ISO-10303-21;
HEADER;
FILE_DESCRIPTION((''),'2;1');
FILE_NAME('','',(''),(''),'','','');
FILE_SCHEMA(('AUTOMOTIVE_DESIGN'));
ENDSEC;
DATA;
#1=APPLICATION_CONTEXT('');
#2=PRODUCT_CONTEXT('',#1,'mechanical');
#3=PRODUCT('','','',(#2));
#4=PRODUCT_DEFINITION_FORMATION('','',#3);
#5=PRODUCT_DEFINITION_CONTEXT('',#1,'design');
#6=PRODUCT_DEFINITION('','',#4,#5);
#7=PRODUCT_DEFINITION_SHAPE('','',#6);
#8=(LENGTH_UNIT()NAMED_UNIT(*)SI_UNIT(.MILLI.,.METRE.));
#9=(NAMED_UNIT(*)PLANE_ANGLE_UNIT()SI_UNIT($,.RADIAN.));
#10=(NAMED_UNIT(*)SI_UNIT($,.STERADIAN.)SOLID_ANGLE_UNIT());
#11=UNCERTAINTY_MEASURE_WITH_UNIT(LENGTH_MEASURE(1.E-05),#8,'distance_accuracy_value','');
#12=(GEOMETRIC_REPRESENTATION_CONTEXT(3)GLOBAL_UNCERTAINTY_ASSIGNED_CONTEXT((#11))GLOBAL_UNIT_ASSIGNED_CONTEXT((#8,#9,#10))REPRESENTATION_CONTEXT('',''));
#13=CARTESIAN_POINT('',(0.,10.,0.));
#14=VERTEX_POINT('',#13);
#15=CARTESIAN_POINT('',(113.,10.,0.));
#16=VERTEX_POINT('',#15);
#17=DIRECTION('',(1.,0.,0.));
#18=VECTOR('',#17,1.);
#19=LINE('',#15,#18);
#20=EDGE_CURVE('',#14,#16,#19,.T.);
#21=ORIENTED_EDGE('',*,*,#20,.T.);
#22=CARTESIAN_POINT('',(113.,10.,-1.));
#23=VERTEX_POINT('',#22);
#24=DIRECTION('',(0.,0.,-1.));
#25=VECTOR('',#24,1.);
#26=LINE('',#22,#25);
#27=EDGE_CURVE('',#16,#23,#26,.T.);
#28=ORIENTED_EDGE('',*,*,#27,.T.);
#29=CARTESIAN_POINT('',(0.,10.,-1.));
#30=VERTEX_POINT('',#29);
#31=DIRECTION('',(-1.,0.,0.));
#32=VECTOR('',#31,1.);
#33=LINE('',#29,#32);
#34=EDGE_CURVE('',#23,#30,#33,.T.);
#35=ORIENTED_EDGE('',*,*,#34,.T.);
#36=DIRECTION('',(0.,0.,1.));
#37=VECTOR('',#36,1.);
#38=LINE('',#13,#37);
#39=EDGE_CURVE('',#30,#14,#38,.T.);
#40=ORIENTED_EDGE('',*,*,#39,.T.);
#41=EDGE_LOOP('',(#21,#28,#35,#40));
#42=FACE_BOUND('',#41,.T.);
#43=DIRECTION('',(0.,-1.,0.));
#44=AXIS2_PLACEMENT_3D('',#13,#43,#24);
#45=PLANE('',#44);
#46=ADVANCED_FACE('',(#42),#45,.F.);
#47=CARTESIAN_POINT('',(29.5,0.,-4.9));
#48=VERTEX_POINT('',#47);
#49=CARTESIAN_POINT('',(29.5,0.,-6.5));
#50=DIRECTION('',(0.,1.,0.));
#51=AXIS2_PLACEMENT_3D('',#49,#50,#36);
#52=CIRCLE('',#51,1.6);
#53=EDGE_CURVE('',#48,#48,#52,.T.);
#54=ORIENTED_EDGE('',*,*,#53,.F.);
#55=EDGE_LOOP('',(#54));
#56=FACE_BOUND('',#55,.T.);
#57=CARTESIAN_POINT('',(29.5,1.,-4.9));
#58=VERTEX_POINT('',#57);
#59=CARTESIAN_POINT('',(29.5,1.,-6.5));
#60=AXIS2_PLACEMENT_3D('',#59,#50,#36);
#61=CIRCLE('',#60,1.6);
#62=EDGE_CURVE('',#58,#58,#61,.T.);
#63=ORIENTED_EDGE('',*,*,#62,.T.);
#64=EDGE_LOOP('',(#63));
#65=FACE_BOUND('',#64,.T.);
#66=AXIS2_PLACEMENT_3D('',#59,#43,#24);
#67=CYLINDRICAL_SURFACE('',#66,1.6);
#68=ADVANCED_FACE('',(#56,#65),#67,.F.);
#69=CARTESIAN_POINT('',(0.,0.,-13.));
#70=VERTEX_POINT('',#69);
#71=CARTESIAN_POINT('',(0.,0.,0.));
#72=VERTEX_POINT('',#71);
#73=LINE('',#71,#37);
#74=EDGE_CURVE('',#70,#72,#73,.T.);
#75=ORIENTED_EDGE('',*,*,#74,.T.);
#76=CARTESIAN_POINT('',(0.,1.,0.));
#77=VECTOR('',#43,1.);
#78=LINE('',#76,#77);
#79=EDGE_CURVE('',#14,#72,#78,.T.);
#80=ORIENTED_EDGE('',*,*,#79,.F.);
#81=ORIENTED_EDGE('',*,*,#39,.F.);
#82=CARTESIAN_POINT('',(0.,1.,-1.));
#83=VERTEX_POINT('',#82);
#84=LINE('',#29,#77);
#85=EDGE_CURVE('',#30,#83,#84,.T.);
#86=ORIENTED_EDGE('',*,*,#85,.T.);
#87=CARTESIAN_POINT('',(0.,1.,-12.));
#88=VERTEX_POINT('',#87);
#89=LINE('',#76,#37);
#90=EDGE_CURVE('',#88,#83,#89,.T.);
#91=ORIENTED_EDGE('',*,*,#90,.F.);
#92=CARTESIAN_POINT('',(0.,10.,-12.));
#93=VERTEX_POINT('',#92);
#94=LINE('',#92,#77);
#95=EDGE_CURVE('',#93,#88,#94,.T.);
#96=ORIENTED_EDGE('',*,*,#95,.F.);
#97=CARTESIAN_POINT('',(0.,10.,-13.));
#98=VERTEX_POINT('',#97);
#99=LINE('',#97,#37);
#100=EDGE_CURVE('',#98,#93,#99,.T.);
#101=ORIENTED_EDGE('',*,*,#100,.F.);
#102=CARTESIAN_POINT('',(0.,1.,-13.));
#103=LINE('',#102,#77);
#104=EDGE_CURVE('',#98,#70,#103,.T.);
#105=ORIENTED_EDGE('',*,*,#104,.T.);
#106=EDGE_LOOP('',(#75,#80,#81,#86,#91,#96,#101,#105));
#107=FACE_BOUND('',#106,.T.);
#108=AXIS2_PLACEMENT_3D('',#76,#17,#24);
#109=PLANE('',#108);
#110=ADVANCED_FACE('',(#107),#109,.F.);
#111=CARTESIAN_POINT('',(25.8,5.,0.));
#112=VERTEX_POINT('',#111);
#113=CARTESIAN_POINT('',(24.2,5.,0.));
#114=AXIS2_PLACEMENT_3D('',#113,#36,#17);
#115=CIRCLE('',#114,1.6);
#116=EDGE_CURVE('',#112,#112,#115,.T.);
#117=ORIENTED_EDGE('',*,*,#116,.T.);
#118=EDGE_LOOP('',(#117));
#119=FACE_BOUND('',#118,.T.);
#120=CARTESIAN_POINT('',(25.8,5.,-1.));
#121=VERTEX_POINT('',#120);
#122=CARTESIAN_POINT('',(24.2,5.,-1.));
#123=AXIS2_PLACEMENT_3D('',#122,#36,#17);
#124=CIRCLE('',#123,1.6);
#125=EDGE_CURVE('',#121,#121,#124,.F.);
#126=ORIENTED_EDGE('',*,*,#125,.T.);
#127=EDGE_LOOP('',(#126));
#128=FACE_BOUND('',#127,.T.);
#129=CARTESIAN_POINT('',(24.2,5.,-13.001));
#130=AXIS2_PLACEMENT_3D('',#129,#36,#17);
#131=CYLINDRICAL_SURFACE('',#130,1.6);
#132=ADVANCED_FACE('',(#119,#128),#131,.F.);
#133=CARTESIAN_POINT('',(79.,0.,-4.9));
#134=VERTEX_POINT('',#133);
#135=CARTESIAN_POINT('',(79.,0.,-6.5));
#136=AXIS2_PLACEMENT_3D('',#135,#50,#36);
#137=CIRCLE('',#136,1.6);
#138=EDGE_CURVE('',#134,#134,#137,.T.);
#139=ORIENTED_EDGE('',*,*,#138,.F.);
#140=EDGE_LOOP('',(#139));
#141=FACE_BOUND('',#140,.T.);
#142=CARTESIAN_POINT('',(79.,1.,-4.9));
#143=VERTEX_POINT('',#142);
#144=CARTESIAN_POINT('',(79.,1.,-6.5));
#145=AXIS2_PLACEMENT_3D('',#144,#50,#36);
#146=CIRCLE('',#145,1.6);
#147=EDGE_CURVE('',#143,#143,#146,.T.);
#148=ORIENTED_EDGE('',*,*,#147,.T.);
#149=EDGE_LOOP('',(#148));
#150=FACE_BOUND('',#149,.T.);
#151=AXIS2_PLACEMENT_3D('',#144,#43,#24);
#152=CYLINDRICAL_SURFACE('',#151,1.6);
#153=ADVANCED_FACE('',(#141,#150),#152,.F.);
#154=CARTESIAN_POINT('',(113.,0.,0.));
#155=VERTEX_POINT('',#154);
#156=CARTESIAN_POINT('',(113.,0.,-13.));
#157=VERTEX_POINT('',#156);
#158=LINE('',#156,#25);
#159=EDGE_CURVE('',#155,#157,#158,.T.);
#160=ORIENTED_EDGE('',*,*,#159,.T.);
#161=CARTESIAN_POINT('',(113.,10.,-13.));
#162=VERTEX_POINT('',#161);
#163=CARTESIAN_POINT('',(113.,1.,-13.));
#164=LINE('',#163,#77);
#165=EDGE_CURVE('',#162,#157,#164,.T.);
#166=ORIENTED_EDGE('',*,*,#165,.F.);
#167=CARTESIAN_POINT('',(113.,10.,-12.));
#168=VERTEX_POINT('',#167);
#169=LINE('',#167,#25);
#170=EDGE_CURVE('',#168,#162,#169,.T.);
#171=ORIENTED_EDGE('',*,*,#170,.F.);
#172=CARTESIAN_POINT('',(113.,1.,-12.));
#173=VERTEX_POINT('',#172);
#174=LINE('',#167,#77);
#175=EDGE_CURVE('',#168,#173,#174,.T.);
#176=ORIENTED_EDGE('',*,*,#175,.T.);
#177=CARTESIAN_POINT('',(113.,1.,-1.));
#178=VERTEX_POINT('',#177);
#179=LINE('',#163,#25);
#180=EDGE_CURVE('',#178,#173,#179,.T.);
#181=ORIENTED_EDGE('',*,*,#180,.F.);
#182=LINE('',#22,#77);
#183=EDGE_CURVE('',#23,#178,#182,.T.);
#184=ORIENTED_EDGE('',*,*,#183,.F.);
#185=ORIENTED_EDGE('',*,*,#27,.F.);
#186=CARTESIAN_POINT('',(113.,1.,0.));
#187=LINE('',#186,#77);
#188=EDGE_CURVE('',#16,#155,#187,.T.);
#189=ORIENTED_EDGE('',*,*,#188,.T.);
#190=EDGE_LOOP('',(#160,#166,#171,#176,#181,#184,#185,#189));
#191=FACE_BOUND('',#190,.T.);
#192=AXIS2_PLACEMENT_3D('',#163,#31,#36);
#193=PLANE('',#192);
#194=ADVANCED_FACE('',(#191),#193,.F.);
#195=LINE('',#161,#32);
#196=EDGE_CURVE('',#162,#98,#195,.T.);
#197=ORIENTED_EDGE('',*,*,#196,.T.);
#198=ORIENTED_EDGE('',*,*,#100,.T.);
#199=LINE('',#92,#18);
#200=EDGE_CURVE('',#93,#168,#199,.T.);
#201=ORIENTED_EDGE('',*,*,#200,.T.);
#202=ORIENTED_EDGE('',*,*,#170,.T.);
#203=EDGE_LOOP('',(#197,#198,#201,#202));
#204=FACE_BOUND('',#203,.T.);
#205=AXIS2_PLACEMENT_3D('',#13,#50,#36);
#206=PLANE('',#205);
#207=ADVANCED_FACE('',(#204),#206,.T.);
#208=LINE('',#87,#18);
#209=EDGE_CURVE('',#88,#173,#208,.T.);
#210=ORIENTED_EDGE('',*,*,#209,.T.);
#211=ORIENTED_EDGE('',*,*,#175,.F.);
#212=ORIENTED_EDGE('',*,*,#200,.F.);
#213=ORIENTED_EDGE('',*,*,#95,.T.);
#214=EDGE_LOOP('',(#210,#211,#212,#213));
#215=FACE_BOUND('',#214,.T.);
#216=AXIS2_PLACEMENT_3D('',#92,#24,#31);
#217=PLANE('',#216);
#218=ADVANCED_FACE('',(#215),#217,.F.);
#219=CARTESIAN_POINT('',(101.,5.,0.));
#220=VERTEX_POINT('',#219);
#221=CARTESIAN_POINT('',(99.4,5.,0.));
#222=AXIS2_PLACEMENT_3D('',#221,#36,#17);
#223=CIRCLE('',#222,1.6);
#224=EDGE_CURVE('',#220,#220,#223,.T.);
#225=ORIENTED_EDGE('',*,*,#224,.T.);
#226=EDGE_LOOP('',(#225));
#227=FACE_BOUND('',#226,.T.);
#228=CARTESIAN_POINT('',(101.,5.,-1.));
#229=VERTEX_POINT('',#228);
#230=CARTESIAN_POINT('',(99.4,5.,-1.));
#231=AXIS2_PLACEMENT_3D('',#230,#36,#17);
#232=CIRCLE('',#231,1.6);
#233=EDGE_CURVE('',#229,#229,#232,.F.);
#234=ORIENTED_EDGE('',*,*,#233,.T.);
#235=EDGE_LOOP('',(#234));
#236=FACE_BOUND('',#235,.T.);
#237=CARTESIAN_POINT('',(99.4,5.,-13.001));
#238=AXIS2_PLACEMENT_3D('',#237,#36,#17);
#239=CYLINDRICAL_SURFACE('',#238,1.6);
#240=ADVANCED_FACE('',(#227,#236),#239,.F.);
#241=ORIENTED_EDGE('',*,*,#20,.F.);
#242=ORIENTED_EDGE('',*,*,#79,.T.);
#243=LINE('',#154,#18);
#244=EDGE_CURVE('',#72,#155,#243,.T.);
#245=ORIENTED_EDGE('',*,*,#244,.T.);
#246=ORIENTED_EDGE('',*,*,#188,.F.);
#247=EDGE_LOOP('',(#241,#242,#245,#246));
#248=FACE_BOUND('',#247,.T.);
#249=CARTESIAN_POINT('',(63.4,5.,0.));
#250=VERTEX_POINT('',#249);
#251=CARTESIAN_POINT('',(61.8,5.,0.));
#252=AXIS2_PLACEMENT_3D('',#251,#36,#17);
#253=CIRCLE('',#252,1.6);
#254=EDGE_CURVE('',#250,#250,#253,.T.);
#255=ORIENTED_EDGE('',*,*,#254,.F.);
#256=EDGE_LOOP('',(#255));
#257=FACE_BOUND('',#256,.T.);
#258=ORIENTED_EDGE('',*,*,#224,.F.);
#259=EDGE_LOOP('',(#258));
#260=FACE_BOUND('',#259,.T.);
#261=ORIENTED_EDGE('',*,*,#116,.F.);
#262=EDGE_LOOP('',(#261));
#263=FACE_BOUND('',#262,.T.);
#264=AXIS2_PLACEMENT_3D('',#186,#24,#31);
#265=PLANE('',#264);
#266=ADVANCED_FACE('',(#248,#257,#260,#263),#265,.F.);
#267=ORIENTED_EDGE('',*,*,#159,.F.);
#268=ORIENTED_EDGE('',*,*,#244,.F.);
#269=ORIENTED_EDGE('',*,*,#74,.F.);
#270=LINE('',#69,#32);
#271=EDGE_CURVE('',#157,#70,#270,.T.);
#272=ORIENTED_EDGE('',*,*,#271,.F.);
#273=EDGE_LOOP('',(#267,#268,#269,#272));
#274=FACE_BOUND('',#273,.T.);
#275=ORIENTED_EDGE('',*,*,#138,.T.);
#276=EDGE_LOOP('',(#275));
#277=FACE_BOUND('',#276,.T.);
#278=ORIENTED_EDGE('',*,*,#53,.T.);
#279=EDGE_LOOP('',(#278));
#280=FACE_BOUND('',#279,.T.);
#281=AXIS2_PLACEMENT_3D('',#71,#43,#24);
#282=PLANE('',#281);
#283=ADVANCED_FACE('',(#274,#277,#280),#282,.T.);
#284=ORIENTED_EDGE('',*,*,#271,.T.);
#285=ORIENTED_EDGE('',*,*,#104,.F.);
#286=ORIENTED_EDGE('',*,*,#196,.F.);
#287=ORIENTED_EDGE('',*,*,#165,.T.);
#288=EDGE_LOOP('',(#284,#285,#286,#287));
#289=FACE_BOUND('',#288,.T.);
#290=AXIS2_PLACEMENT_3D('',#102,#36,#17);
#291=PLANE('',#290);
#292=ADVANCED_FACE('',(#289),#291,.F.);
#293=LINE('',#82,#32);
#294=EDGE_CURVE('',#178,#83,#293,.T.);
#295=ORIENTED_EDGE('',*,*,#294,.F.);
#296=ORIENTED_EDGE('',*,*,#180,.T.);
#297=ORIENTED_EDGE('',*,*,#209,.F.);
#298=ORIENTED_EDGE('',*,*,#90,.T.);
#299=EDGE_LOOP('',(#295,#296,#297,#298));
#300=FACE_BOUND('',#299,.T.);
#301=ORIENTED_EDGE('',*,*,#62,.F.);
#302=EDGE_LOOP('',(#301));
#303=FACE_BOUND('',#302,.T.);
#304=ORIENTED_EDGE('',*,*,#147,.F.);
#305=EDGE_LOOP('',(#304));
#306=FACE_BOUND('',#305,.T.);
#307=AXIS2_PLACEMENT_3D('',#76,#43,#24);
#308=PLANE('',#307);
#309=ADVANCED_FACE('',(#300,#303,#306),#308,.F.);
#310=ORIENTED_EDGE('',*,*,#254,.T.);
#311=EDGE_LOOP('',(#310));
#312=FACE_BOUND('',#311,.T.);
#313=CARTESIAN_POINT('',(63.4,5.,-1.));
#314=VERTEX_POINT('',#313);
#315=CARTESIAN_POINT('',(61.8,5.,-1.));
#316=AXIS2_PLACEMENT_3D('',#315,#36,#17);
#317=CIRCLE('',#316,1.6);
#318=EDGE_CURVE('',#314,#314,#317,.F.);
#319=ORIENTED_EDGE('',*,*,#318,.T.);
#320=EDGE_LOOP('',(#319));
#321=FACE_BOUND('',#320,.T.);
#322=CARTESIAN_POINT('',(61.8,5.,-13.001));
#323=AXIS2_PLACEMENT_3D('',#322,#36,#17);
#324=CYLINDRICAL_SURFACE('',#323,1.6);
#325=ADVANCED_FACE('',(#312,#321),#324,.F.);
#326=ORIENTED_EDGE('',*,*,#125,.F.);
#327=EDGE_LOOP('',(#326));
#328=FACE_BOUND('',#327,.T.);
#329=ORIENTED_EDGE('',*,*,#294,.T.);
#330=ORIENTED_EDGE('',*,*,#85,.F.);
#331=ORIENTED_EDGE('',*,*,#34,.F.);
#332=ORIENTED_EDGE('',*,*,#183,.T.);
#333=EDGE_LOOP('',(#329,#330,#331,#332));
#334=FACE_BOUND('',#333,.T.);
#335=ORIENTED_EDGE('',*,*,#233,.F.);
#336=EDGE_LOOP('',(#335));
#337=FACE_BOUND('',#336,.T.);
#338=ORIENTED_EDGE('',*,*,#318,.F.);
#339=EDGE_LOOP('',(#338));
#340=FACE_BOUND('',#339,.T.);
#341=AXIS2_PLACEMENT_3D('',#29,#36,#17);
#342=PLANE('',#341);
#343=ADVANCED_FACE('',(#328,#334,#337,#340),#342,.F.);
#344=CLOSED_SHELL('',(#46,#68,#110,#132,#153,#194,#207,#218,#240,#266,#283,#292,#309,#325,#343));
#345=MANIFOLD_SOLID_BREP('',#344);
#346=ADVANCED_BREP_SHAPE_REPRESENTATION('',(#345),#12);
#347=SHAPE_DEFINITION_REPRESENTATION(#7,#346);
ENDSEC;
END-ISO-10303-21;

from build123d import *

# Parameters (mm, degrees)
ESQUISSE1_W             = 113
ESQUISSE1_H             = 13
ESQUISSE1_R             = 1.6
BOSS_EXTRU_1_DEPTH      = 1
ESQUISSE2_W             = 113
ESQUISSE2_H             = 1
BOSS_EXTRU_2_DEPTH      = 9
ENL_V_MAT_EXTRU_1_REACH = 116.184
ESQUISSE3_R             = 1.6


with BuildPart() as part:
    # Esquisse1 → Boss.-Extru.1 (new body)
    with BuildSketch(Plane(origin=(0, 0, 0), x_dir=(1, 0, 0), z_dir=(0, 1, 0))):
        with Locations((56.5, 6.5)):
            Rectangle(ESQUISSE1_W, ESQUISSE1_H)
        with Locations(Location((79, 6.5, 0), (0, 0, 270))):
            Circle(ESQUISSE1_R, mode=Mode.SUBTRACT)
        with Locations(Location((29.5, 6.5, 0), (0, 0, 270))):
            Circle(ESQUISSE1_R, mode=Mode.SUBTRACT)
    extrude(amount=BOSS_EXTRU_1_DEPTH)

    # Esquisse2 → Boss.-Extru.2 (add)
    with BuildSketch(Plane(origin=(0, 1, 0), x_dir=(1, 0, 0), z_dir=(0, 1, 0))):
        with Locations((56.5, 12.5)):
            Rectangle(ESQUISSE2_W, ESQUISSE2_H)
        with Locations((56.5, 0.5)):
            Rectangle(ESQUISSE2_W, ESQUISSE2_H)
    extrude(amount=BOSS_EXTRU_2_DEPTH)

    # Esquisse3 → Enlèv. mat.-Extru.1 (cut, up to next)
    with BuildSketch(Plane.XY, mode=Mode.PRIVATE) as enl_v_mat_extru_1_sk1:
        with Locations((99.4, 5)):
            Circle(ESQUISSE3_R)
    enl_v_mat_extru_1_tool1 = extrude(enl_v_mat_extru_1_sk1.sketch, amount=-ENL_V_MAT_EXTRU_1_REACH, mode=Mode.PRIVATE) & part.part
    # Esquisse3 → Enlèv. mat.-Extru.1 (cut, up to next)
    with BuildSketch(Plane.XY, mode=Mode.PRIVATE) as enl_v_mat_extru_1_sk2:
        with Locations((61.8, 5)):
            Circle(ESQUISSE3_R)
    enl_v_mat_extru_1_tool2 = extrude(enl_v_mat_extru_1_sk2.sketch, amount=-ENL_V_MAT_EXTRU_1_REACH, mode=Mode.PRIVATE) & part.part
    # Esquisse3 → Enlèv. mat.-Extru.1 (cut, up to next)
    with BuildSketch(Plane.XY, mode=Mode.PRIVATE) as enl_v_mat_extru_1_sk3:
        with Locations((24.2, 5)):
            Circle(ESQUISSE3_R)
    enl_v_mat_extru_1_tool3 = extrude(enl_v_mat_extru_1_sk3.sketch, amount=-ENL_V_MAT_EXTRU_1_REACH, mode=Mode.PRIVATE) & part.part
    add(enl_v_mat_extru_1_tool1.solids().sort_by_distance((99.4, 5, 0))[0], mode=Mode.SUBTRACT)
    add(enl_v_mat_extru_1_tool2.solids().sort_by_distance((61.8, 5, 0))[0], mode=Mode.SUBTRACT)
    add(enl_v_mat_extru_1_tool3.solids().sort_by_distance((24.2, 5, 0))[0], mode=Mode.SUBTRACT)


solid = part.part
